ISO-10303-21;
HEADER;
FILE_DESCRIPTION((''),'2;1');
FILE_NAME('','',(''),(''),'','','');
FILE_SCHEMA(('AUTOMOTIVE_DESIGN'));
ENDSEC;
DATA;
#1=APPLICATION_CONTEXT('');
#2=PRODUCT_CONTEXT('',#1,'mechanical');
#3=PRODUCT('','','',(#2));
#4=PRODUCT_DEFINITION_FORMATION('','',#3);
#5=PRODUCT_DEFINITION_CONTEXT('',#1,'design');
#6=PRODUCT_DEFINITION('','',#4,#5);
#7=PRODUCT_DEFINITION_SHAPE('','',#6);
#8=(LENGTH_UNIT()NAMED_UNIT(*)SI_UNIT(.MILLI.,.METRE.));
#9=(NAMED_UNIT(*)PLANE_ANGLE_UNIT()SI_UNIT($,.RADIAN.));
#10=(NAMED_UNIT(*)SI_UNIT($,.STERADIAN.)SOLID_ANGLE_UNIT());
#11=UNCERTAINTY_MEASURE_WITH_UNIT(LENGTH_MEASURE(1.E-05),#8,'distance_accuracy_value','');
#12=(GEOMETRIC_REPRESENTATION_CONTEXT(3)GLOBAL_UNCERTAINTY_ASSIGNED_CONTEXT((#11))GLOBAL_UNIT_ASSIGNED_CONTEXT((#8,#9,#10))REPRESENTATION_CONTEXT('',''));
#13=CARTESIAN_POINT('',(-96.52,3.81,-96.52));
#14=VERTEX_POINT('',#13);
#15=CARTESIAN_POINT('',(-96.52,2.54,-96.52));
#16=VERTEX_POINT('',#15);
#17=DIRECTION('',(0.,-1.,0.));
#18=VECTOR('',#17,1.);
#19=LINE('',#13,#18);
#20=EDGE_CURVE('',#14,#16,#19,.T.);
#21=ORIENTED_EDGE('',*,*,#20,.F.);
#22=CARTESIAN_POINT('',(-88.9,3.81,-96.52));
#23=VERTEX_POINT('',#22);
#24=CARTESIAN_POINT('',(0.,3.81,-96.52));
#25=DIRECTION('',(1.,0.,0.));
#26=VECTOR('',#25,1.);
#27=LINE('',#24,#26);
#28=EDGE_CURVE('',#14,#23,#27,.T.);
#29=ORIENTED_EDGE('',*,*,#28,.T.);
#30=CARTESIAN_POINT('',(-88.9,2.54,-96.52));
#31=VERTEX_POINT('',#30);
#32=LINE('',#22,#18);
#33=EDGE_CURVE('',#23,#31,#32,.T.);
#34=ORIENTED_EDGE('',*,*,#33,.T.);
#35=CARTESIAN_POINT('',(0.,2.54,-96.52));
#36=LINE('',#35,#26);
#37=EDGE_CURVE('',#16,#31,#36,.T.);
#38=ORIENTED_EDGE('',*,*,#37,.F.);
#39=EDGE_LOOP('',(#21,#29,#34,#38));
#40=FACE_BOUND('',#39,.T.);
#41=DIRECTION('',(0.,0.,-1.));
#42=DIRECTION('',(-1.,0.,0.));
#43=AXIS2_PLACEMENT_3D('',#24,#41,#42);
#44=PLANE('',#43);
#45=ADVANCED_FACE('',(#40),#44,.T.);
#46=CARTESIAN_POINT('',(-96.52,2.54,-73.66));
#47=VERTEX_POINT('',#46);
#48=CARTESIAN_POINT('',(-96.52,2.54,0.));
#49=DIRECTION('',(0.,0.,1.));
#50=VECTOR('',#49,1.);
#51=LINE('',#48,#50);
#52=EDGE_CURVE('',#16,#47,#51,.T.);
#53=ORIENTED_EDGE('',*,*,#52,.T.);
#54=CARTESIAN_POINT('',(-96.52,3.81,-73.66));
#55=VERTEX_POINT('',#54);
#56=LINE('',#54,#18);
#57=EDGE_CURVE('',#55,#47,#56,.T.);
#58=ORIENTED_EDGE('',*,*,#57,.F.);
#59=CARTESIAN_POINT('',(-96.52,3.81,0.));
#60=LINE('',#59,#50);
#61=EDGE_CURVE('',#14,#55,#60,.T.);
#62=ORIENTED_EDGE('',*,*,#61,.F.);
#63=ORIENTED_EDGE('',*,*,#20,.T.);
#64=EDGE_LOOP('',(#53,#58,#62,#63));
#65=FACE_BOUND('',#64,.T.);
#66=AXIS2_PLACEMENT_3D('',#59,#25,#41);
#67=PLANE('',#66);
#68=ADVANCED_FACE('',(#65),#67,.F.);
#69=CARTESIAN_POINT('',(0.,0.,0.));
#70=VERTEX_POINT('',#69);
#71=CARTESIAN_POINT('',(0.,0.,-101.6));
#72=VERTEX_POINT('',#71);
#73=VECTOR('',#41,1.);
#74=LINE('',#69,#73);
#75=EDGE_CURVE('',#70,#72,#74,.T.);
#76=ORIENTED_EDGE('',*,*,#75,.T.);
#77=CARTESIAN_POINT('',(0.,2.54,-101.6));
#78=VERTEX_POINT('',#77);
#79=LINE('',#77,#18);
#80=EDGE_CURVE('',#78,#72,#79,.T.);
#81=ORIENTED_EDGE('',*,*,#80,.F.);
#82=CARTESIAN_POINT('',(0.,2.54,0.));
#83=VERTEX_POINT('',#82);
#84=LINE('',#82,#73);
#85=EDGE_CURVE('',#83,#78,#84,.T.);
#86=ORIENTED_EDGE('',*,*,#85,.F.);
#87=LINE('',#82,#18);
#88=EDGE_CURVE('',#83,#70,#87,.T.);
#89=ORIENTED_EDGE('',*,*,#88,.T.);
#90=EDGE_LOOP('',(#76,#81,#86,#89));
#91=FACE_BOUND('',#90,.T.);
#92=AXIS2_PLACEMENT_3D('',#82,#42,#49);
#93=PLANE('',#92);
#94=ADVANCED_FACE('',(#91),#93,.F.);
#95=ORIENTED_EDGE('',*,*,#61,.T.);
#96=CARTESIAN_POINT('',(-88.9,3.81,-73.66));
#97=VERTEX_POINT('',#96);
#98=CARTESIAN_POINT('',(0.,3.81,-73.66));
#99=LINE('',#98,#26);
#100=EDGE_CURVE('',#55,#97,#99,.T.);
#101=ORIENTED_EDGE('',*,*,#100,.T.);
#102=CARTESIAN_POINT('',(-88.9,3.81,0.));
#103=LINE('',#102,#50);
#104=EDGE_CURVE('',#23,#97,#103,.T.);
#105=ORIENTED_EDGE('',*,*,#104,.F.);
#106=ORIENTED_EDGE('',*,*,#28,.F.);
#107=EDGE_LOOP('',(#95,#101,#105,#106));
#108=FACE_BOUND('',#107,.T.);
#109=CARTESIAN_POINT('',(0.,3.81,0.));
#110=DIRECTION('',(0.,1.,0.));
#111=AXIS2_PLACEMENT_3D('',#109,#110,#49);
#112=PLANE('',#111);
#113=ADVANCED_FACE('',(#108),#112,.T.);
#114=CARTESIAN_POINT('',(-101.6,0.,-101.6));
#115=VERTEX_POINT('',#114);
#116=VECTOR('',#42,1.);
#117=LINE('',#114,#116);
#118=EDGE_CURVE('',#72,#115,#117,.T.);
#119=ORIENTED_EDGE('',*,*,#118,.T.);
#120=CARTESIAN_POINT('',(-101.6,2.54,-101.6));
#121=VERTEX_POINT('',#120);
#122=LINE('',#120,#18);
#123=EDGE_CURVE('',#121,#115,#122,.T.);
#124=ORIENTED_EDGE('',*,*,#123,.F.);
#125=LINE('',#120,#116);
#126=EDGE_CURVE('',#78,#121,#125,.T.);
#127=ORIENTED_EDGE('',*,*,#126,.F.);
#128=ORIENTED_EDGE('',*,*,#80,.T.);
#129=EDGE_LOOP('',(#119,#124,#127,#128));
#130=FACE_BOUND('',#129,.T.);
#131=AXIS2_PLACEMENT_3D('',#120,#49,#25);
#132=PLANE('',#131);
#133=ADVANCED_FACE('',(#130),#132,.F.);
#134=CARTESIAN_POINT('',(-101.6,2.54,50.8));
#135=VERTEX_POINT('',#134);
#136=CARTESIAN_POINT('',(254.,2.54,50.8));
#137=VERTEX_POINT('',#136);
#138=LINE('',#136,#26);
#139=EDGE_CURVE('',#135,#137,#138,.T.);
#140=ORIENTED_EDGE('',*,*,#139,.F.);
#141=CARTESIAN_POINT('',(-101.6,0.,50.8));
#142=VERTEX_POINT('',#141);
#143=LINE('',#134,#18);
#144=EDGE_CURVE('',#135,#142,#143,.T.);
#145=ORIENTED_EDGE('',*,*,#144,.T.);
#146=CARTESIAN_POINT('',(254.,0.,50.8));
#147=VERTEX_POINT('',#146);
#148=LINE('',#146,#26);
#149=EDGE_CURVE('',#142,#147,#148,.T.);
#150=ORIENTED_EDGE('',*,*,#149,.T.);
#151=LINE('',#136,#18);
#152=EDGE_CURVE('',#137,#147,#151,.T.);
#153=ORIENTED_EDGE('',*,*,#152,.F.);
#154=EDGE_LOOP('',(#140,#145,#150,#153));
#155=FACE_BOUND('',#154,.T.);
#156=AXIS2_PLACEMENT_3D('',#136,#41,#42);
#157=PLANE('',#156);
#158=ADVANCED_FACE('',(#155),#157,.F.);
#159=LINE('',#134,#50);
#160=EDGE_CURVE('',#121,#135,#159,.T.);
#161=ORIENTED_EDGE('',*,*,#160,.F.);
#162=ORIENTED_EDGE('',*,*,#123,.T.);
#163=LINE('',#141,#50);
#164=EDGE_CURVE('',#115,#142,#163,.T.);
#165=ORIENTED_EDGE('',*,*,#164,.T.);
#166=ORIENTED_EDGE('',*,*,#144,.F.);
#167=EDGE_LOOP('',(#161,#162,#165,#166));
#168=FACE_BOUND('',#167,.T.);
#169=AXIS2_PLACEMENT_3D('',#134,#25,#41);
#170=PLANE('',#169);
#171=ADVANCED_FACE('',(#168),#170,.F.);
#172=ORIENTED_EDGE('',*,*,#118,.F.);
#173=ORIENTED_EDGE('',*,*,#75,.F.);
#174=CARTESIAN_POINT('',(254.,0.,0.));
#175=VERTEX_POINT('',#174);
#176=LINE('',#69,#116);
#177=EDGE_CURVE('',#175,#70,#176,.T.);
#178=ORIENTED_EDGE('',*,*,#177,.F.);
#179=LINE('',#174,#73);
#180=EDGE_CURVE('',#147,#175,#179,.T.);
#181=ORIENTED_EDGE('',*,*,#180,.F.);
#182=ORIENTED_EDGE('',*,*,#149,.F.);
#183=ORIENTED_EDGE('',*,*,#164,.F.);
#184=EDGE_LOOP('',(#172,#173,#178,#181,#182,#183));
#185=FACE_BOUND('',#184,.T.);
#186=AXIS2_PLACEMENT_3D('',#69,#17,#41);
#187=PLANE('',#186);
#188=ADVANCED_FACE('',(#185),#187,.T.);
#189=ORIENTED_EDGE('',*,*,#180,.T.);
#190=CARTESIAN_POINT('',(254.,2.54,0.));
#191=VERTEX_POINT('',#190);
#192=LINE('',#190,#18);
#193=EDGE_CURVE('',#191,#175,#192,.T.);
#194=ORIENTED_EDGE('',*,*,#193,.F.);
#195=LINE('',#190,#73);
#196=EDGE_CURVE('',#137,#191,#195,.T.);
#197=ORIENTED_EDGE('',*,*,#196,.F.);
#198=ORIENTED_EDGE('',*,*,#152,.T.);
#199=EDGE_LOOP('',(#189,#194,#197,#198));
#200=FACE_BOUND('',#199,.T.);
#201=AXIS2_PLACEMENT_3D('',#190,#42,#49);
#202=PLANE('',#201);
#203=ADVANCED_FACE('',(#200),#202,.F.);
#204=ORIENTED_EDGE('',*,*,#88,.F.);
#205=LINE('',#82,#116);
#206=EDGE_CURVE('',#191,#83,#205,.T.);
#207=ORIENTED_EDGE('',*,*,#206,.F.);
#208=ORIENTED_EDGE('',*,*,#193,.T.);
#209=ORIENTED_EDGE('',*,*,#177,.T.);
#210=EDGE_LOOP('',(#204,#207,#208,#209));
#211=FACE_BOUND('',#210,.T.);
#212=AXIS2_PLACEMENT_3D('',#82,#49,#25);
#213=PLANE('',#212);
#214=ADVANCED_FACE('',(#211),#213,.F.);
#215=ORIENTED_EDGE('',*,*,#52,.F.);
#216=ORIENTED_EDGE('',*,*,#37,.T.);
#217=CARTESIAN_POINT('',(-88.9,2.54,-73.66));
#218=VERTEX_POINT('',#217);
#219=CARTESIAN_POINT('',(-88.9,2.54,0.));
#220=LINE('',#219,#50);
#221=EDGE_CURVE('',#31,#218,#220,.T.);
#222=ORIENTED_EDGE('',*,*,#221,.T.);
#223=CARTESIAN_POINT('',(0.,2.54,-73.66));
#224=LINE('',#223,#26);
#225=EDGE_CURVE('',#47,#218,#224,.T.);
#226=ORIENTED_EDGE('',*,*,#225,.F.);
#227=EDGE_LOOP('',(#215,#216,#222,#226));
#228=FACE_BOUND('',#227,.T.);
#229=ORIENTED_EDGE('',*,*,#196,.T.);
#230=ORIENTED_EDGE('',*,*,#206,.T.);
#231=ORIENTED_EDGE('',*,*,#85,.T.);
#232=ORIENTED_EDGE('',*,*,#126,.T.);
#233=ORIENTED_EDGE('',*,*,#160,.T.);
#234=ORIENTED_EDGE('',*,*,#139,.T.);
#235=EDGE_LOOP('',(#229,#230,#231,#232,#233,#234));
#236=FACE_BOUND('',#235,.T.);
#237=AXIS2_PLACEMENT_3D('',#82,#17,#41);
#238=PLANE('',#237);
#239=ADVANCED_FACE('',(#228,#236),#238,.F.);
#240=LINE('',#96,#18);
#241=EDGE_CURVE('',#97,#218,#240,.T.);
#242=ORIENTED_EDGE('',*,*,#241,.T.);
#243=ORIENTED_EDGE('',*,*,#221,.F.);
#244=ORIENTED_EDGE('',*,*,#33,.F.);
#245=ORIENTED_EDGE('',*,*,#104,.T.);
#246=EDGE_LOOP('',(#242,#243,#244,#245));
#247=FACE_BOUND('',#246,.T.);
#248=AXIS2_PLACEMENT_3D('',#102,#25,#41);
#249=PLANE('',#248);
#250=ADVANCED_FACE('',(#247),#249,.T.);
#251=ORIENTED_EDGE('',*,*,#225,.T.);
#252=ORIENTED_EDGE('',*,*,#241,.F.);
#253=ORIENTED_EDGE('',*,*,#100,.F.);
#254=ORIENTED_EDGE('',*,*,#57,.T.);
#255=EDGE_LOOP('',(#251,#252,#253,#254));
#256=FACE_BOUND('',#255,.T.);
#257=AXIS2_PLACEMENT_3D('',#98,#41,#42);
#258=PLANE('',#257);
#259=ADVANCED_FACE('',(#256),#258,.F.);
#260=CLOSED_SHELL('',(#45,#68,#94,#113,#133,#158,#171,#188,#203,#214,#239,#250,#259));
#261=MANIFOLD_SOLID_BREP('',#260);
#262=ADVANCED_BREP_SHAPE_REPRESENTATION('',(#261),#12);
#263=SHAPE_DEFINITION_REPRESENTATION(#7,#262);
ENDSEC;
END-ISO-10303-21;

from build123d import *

# Parameters (mm, degrees)
BOSS_EXTRUDE1_DEPTH = 2.54
SKETCH2_W           = 7.62
SKETCH2_H           = 7.62
BOSS_EXTRUDE2_DEPTH = 1.27


with BuildPart() as part:
    # Sketch1 → Boss-Extrude1 (new body)
    with BuildSketch(Plane(origin=(0, 0, 0), x_dir=(1, 0, 0), z_dir=(0, 1, 0))):
        Polygon((0, 0), (0, 101.6), (-101.6, 101.6), (-101.6, -50.8), (254, -50.8), (254, 0), align=None)
    extrude(amount=BOSS_EXTRUDE1_DEPTH)

    # Sketch2 → Boss-Extrude2 (add)
    with BuildSketch(Plane(origin=(0, 2.54, 0), x_dir=(1, 0, 0), z_dir=(0, 1, 0))):
        with Locations((-92.71, 92.71)):
            Rectangle(SKETCH2_W, SKETCH2_H)
        with Locations((-92.71, 85.09)):
            Rectangle(SKETCH2_W, SKETCH2_H)
        with Locations((-92.71, 77.47)):
            Rectangle(SKETCH2_W, SKETCH2_H)
    extrude(amount=BOSS_EXTRUDE2_DEPTH)


solid = part.part
